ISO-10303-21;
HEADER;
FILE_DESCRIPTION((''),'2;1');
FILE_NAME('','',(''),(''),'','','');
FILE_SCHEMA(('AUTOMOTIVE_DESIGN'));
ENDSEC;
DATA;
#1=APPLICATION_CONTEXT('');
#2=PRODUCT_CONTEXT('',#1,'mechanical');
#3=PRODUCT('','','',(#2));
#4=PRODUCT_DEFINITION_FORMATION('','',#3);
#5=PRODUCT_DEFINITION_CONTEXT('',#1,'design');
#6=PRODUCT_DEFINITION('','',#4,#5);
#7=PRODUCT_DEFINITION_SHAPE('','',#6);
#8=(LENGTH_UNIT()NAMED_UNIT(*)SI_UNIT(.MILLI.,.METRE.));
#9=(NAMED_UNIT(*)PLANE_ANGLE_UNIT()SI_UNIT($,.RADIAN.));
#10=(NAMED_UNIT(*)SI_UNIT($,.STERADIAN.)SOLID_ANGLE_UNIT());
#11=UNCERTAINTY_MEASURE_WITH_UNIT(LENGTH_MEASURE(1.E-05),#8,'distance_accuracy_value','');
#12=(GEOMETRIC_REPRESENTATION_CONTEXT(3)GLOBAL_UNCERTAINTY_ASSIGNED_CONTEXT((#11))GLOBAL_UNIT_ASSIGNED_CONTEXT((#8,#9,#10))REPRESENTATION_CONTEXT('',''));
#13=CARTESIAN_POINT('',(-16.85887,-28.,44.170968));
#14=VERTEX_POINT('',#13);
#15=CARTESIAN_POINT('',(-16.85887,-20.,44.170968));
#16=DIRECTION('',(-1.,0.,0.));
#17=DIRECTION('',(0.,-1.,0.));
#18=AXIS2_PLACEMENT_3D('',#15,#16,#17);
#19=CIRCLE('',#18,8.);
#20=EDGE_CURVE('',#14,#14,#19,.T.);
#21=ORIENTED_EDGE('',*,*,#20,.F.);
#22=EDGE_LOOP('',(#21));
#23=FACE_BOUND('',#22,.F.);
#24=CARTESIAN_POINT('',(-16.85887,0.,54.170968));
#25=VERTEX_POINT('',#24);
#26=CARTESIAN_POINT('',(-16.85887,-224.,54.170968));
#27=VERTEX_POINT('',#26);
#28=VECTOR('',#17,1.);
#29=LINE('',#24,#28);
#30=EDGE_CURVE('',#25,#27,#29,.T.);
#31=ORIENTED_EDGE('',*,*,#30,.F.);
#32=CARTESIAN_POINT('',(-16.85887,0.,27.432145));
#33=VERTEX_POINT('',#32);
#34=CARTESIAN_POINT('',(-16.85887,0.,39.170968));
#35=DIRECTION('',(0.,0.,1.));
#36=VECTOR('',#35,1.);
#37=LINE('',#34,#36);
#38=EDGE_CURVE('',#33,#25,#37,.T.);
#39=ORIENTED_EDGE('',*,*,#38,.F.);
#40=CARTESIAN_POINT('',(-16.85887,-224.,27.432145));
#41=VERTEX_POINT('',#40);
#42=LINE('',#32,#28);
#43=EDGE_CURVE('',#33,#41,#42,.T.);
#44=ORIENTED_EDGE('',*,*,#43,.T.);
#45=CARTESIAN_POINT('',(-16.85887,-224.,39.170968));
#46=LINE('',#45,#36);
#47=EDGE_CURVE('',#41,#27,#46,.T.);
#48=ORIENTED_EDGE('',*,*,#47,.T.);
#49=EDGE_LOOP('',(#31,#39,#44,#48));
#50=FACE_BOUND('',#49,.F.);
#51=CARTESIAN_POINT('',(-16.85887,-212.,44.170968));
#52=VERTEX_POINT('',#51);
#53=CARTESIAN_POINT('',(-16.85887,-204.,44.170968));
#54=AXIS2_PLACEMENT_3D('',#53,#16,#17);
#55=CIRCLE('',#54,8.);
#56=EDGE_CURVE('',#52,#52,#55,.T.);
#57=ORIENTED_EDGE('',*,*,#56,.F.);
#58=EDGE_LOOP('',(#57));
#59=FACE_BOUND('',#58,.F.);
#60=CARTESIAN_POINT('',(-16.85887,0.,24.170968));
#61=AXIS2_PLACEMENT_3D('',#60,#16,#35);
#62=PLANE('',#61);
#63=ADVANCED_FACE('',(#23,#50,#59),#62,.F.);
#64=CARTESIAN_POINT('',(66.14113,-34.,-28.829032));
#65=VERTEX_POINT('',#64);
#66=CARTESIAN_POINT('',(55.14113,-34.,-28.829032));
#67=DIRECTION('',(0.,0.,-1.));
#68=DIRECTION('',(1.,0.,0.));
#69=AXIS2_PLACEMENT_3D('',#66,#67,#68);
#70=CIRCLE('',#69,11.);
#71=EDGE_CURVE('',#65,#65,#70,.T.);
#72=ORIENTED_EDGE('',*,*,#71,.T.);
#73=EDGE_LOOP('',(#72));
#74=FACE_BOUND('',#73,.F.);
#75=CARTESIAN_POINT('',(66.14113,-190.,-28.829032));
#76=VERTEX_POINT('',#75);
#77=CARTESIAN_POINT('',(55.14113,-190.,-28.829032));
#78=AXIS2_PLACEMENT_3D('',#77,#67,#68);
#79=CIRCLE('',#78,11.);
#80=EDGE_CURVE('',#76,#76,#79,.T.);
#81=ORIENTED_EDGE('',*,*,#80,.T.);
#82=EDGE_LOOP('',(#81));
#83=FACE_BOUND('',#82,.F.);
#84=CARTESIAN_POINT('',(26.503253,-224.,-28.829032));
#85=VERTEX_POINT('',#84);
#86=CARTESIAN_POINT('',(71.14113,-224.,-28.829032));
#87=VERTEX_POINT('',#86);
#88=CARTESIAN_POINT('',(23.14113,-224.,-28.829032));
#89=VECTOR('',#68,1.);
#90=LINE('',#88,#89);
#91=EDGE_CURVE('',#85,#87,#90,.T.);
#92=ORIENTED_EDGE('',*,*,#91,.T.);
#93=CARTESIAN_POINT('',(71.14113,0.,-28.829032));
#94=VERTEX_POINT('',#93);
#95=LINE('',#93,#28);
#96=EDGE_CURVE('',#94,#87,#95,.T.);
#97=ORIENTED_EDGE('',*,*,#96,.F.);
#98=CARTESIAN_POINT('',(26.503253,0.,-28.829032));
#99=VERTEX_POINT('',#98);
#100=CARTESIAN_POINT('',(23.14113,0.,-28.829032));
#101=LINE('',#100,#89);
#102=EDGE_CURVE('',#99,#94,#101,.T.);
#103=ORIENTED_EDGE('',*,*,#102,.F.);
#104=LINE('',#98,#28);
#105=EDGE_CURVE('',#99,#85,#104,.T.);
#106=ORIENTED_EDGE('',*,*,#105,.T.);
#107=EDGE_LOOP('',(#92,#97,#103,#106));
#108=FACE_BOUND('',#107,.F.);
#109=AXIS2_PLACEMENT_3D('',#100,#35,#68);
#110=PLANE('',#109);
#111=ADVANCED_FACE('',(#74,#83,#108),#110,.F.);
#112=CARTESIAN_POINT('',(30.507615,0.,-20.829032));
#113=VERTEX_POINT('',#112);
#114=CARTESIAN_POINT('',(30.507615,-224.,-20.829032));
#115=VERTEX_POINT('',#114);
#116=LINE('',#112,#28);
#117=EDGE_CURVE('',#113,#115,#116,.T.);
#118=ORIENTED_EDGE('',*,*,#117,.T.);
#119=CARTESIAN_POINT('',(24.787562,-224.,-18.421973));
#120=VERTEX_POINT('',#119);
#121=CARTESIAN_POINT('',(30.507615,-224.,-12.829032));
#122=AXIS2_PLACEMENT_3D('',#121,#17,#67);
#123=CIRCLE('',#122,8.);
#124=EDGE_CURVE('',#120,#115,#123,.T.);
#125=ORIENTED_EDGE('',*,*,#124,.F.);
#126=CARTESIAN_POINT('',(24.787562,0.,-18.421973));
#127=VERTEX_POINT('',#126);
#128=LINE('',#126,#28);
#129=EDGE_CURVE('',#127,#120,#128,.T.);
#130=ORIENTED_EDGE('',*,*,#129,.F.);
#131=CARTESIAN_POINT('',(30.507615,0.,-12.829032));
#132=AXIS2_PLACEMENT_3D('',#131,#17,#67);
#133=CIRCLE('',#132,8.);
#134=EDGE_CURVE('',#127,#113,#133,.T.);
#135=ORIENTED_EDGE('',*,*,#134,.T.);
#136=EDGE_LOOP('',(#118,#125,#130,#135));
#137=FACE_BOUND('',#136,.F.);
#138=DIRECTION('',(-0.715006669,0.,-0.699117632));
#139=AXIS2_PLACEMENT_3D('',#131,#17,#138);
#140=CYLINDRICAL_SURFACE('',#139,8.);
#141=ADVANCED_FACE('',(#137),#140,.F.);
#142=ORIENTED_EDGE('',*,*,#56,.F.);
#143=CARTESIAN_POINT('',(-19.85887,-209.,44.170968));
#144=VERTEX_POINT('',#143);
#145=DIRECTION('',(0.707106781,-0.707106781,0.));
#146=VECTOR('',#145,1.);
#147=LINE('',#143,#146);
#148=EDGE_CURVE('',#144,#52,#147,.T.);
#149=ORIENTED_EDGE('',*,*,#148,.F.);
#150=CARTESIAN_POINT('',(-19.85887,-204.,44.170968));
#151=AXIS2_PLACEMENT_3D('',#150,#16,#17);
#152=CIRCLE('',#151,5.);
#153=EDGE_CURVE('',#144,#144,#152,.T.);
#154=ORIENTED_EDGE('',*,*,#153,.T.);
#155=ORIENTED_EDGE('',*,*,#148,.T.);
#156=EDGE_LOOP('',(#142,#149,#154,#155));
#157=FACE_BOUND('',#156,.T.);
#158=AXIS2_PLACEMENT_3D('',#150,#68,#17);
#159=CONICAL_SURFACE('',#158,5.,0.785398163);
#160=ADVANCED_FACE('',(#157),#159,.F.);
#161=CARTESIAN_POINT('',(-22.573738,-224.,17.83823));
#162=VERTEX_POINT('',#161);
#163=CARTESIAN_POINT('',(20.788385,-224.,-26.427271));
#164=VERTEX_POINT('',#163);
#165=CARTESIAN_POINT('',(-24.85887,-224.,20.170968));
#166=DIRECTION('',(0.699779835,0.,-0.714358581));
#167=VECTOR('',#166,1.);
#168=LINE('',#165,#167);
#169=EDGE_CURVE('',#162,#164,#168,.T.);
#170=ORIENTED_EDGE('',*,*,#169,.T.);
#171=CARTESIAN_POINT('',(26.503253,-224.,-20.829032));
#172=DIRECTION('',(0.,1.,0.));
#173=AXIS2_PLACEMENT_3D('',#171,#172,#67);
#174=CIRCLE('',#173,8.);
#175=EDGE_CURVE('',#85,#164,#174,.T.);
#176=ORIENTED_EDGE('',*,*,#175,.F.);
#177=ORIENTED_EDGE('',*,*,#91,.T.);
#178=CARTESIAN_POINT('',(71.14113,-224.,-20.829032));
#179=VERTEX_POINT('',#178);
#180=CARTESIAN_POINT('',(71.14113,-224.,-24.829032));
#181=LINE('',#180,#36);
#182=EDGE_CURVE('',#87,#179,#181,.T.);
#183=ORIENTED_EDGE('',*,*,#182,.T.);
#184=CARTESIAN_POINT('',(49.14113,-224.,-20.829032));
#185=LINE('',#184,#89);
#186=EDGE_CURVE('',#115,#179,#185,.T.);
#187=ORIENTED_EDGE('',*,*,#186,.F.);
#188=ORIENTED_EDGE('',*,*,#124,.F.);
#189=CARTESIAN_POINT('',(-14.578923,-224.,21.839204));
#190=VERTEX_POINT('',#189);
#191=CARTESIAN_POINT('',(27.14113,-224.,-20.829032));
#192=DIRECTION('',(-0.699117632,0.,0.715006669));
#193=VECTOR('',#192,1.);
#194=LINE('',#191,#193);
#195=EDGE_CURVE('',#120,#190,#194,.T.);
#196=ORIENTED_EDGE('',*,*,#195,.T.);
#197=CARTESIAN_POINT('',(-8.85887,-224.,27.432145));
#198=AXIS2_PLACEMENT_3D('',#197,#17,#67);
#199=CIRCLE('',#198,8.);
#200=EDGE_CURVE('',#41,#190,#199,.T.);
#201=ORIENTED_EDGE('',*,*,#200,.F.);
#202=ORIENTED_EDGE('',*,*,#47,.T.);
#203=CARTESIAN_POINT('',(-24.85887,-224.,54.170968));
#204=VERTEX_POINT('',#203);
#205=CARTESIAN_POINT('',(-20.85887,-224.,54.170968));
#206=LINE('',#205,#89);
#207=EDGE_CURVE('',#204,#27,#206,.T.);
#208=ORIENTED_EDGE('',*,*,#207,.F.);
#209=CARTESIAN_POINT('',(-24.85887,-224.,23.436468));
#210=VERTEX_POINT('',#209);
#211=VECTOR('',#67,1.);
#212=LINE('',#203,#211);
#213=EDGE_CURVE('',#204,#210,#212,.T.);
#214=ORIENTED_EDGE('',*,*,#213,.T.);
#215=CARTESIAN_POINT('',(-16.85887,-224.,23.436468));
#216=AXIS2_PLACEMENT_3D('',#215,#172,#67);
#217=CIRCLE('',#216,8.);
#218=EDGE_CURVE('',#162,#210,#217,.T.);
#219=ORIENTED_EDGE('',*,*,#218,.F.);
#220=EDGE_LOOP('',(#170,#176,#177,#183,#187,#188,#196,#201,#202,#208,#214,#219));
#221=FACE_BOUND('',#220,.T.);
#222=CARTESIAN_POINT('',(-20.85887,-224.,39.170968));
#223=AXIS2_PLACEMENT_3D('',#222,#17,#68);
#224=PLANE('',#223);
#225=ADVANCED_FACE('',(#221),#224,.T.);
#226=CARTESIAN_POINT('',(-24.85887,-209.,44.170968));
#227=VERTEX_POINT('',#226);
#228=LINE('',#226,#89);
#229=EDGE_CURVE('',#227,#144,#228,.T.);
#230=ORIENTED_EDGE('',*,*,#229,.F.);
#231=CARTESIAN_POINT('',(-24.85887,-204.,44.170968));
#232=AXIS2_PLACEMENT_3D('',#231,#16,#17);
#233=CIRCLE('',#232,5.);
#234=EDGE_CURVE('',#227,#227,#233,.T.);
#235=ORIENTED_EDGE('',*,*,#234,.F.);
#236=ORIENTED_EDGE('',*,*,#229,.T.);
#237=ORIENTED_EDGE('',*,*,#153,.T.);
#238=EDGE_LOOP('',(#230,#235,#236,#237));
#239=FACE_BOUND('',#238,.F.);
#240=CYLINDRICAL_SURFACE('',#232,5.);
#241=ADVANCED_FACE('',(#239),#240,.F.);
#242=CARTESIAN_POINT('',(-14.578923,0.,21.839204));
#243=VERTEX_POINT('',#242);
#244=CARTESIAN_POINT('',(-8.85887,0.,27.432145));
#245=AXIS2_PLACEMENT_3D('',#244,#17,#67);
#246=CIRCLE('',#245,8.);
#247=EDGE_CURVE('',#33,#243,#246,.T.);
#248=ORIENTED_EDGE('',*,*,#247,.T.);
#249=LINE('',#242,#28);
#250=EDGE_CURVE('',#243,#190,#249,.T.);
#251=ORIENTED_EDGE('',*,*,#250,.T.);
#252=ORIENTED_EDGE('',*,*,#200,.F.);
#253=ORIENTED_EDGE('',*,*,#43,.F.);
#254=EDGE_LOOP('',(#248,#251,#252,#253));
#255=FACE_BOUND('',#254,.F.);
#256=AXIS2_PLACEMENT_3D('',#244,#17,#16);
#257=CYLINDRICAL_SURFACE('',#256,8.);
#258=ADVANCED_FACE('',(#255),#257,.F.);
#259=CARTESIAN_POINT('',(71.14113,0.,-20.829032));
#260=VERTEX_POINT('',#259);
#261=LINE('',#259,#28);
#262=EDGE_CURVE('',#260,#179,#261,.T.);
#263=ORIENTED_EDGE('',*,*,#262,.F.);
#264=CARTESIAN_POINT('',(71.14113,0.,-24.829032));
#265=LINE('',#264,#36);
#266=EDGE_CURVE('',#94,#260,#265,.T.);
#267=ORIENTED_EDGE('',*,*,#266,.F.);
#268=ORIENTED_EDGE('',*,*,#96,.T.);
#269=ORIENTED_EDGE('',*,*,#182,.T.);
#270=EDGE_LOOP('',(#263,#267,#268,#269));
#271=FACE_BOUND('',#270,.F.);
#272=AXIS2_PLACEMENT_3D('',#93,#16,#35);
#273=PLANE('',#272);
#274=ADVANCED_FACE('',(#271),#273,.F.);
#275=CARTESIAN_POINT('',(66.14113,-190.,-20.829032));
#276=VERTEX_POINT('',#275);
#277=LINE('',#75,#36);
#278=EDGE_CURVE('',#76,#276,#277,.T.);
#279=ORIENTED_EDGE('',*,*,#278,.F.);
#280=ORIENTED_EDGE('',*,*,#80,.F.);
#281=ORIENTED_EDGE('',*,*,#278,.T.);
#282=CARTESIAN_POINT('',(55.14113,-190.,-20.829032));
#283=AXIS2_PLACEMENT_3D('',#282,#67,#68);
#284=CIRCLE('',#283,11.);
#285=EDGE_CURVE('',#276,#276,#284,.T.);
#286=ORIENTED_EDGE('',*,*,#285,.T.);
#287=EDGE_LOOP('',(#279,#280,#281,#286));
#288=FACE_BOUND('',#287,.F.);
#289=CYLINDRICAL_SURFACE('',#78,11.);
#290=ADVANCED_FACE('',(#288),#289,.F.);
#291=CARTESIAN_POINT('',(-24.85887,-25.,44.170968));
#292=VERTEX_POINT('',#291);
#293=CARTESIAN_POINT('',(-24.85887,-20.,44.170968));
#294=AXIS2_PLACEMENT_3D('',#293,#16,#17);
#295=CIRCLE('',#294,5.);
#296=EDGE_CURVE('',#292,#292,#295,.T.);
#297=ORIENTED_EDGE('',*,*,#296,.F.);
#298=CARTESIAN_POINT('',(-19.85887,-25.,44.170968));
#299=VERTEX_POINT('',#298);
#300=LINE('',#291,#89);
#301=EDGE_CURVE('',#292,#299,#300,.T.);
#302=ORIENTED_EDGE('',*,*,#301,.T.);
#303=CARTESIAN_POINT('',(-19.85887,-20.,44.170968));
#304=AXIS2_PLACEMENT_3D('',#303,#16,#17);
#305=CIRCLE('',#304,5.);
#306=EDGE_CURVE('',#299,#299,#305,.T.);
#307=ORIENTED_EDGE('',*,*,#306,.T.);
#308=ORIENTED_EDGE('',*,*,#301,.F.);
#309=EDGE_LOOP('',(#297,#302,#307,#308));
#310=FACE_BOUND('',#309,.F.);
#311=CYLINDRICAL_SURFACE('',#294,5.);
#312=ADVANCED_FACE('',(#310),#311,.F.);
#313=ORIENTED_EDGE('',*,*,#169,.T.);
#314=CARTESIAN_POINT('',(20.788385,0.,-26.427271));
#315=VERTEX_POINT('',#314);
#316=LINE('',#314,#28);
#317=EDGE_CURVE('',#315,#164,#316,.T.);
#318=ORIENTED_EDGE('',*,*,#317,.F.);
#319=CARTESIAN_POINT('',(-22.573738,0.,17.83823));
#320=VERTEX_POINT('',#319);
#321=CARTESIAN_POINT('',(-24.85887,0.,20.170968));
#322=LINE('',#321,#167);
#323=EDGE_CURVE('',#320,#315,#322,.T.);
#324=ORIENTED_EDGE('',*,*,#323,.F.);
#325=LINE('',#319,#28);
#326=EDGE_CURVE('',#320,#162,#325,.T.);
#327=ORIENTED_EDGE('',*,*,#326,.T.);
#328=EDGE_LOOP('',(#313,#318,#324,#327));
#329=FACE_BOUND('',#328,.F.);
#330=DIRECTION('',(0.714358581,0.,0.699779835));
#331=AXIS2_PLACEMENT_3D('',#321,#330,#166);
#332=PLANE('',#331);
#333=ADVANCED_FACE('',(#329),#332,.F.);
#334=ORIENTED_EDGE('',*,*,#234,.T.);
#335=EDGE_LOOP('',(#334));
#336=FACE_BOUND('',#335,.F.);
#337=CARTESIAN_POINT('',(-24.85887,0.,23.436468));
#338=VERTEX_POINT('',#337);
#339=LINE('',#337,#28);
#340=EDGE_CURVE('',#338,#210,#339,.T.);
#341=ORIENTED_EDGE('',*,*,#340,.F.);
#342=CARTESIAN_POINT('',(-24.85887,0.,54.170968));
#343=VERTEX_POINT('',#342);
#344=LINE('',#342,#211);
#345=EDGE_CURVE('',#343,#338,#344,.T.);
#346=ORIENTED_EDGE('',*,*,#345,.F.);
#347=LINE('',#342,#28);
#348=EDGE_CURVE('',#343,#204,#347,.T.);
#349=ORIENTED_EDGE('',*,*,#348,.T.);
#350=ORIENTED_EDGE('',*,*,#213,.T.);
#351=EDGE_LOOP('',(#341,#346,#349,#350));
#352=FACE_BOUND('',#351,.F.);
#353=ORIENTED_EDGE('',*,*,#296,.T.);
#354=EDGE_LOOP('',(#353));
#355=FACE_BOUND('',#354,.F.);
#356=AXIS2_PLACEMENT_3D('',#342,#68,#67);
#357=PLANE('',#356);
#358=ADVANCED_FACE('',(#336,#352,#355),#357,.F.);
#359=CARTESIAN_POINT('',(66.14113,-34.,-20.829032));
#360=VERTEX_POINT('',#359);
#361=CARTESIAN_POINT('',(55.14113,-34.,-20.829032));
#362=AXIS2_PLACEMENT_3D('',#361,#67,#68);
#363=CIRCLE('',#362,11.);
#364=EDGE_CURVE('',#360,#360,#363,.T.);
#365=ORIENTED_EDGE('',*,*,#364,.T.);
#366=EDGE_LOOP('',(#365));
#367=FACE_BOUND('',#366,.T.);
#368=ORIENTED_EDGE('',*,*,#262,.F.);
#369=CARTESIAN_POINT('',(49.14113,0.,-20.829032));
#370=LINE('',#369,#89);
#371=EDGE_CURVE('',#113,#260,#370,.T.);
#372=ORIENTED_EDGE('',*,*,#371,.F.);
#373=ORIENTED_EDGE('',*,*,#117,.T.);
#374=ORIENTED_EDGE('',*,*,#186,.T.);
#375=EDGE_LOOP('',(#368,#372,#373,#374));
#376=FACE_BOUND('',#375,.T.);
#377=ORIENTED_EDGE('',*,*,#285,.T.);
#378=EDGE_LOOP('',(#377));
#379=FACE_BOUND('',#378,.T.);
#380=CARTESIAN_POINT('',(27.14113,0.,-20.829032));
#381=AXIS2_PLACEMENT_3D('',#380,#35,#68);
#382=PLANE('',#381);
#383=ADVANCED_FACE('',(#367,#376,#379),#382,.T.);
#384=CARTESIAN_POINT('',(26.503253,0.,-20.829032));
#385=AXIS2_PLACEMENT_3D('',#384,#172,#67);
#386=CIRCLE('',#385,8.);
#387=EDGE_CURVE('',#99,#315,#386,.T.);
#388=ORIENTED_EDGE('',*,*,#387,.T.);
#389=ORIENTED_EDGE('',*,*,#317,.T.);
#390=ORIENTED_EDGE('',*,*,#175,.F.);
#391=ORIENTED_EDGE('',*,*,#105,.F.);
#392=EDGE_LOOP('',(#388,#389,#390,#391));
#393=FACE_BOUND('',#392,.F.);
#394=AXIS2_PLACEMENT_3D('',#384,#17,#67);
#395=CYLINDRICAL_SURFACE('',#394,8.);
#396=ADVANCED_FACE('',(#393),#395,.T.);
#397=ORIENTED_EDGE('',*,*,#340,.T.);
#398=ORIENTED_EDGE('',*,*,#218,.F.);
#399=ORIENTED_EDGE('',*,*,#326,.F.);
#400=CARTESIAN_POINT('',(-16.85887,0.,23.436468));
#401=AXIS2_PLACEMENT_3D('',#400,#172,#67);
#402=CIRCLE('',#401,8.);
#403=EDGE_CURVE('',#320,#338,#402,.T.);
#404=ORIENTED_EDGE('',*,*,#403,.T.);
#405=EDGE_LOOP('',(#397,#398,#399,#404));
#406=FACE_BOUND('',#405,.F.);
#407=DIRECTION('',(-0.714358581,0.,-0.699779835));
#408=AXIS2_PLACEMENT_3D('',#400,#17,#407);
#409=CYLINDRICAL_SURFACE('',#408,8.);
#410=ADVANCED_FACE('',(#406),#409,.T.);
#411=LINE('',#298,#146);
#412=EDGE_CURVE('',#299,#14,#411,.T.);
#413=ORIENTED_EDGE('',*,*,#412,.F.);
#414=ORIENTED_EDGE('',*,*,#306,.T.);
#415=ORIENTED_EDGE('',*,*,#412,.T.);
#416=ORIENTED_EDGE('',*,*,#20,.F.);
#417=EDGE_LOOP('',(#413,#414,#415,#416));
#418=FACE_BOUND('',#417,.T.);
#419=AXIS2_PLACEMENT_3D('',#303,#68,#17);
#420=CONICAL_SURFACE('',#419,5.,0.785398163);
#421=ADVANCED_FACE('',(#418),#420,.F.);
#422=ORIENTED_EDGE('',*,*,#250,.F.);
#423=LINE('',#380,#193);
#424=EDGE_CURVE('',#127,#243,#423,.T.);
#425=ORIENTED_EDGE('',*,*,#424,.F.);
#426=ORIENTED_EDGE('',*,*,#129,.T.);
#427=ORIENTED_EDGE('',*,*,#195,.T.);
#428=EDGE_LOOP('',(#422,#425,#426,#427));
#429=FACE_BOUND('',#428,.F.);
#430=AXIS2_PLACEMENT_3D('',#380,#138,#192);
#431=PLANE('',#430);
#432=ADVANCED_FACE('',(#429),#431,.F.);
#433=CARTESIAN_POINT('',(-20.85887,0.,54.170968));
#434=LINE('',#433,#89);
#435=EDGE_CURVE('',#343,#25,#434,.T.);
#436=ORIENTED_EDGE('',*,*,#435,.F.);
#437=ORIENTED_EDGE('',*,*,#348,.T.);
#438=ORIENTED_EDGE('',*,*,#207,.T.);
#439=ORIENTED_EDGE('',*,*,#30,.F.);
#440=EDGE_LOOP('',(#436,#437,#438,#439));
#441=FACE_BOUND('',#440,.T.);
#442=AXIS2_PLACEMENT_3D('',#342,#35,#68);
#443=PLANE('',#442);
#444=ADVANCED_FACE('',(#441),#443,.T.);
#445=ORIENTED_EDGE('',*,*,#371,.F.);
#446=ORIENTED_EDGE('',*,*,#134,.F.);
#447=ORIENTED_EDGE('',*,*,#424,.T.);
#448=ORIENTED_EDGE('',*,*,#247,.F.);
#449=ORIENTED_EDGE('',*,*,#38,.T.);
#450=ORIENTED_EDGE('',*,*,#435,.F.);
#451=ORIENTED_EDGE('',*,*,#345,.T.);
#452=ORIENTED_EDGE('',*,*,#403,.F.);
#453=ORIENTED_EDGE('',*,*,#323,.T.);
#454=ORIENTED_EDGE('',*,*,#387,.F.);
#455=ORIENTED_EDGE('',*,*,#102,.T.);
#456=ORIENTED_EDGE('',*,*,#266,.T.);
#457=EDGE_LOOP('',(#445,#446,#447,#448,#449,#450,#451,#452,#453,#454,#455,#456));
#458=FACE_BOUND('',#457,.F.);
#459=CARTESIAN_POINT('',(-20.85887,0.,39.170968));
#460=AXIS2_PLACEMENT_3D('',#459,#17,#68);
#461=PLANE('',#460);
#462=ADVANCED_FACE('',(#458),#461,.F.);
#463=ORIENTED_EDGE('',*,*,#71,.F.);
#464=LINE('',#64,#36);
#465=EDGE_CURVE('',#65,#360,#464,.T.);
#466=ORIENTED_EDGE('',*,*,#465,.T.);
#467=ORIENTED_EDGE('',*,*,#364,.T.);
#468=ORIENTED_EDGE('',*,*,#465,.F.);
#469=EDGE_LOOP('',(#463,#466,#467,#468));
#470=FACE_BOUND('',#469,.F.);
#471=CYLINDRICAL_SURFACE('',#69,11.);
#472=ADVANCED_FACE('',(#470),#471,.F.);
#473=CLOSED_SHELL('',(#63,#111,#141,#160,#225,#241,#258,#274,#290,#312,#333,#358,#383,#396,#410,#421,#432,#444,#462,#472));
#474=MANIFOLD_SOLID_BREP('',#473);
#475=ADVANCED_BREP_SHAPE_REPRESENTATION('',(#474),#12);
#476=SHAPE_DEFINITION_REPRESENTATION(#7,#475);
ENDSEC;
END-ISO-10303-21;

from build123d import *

# Parameters (mm, degrees)
F0_W     = 8
F0_H     = 30
F0_W_2   = 44
F0_H_2   = 8
F1_DEPTH = 224
F2_R     = 5
F3_DEPTH = 25
F4_R     = 11
F5_DEPTH = 25
F6_SIZE  = 3
F7_R     = 8
F8_R     = 8


with BuildPart() as f1:
    # F0 (on Front) → F1 (new body)
    with BuildSketch(Plane.XZ):
        with Locations((-20.8588695079, 39.1709680259)):
            Rectangle(F0_W, F0_H)
        Polygon((-16.8588695079, 24.1709680259), (-24.8588695079, 24.1709680259), (-24.8588695079, 20.1709680259), align=None)
        Polygon((27.1411304921, -20.8290319741), (-16.8588695079, 24.1709680259), (-24.8588695079, 20.1709680259), (23.1411304921, -28.8290319741), align=None)
        with Locations((49.1411304921, -24.8290319741)):
            Rectangle(F0_W_2, F0_H_2)
        Polygon((27.1411304921, -28.8290319741), (27.1411304921, -20.8290319741), (23.1411304921, -28.8290319741), align=None)
    extrude(amount=F1_DEPTH)

    # F2 (on face) → F3 (cut)
    with BuildSketch(Plane(origin=(-24.8588695079, 0, 0), x_dir=(0, -1, 0), z_dir=(-1, 0, 0))):
        with Locations((20, 44.1709680259)):
            Circle(F2_R)
        with Locations((204, 44.1709680259)):
            Circle(F2_R)
    extrude(amount=-F3_DEPTH, mode=Mode.SUBTRACT)

    # F4 (on face) → F5 (cut)
    with BuildSketch(Plane(origin=(0, 0, -28.8290319741), x_dir=(1, 0, 0), z_dir=(0, 0, -1))):
        with Locations((55.1411304921, 34)):
            Circle(F4_R)
        with Locations((55.1411304921, 190)):
            Circle(F4_R)
    extrude(amount=-F5_DEPTH, mode=Mode.SUBTRACT)

    # F6
    f6_edges = [f1.edges().sort_by_distance(p)[0] for p in [
        (-16.85887, -199, 44.170968),
        (-16.85887, -15, 44.170968),
    ]]
    chamfer(f6_edges, length=F6_SIZE)

    # F7
    f7_edges = [f1.edges().sort_by_distance(p)[0] for p in [
        (-16.85887, -112, 24.170968),
        (27.14113, -112, -20.829032),
    ]]
    fillet(f7_edges, radius=F7_R)

    # F8
    f8_edges = [f1.edges().sort_by_distance(p)[0] for p in [
        (-24.85887, -112, 20.170968),
        (23.14113, -112, -28.829032),
    ]]
    fillet(f8_edges, radius=F8_R)


solid = f1.part
